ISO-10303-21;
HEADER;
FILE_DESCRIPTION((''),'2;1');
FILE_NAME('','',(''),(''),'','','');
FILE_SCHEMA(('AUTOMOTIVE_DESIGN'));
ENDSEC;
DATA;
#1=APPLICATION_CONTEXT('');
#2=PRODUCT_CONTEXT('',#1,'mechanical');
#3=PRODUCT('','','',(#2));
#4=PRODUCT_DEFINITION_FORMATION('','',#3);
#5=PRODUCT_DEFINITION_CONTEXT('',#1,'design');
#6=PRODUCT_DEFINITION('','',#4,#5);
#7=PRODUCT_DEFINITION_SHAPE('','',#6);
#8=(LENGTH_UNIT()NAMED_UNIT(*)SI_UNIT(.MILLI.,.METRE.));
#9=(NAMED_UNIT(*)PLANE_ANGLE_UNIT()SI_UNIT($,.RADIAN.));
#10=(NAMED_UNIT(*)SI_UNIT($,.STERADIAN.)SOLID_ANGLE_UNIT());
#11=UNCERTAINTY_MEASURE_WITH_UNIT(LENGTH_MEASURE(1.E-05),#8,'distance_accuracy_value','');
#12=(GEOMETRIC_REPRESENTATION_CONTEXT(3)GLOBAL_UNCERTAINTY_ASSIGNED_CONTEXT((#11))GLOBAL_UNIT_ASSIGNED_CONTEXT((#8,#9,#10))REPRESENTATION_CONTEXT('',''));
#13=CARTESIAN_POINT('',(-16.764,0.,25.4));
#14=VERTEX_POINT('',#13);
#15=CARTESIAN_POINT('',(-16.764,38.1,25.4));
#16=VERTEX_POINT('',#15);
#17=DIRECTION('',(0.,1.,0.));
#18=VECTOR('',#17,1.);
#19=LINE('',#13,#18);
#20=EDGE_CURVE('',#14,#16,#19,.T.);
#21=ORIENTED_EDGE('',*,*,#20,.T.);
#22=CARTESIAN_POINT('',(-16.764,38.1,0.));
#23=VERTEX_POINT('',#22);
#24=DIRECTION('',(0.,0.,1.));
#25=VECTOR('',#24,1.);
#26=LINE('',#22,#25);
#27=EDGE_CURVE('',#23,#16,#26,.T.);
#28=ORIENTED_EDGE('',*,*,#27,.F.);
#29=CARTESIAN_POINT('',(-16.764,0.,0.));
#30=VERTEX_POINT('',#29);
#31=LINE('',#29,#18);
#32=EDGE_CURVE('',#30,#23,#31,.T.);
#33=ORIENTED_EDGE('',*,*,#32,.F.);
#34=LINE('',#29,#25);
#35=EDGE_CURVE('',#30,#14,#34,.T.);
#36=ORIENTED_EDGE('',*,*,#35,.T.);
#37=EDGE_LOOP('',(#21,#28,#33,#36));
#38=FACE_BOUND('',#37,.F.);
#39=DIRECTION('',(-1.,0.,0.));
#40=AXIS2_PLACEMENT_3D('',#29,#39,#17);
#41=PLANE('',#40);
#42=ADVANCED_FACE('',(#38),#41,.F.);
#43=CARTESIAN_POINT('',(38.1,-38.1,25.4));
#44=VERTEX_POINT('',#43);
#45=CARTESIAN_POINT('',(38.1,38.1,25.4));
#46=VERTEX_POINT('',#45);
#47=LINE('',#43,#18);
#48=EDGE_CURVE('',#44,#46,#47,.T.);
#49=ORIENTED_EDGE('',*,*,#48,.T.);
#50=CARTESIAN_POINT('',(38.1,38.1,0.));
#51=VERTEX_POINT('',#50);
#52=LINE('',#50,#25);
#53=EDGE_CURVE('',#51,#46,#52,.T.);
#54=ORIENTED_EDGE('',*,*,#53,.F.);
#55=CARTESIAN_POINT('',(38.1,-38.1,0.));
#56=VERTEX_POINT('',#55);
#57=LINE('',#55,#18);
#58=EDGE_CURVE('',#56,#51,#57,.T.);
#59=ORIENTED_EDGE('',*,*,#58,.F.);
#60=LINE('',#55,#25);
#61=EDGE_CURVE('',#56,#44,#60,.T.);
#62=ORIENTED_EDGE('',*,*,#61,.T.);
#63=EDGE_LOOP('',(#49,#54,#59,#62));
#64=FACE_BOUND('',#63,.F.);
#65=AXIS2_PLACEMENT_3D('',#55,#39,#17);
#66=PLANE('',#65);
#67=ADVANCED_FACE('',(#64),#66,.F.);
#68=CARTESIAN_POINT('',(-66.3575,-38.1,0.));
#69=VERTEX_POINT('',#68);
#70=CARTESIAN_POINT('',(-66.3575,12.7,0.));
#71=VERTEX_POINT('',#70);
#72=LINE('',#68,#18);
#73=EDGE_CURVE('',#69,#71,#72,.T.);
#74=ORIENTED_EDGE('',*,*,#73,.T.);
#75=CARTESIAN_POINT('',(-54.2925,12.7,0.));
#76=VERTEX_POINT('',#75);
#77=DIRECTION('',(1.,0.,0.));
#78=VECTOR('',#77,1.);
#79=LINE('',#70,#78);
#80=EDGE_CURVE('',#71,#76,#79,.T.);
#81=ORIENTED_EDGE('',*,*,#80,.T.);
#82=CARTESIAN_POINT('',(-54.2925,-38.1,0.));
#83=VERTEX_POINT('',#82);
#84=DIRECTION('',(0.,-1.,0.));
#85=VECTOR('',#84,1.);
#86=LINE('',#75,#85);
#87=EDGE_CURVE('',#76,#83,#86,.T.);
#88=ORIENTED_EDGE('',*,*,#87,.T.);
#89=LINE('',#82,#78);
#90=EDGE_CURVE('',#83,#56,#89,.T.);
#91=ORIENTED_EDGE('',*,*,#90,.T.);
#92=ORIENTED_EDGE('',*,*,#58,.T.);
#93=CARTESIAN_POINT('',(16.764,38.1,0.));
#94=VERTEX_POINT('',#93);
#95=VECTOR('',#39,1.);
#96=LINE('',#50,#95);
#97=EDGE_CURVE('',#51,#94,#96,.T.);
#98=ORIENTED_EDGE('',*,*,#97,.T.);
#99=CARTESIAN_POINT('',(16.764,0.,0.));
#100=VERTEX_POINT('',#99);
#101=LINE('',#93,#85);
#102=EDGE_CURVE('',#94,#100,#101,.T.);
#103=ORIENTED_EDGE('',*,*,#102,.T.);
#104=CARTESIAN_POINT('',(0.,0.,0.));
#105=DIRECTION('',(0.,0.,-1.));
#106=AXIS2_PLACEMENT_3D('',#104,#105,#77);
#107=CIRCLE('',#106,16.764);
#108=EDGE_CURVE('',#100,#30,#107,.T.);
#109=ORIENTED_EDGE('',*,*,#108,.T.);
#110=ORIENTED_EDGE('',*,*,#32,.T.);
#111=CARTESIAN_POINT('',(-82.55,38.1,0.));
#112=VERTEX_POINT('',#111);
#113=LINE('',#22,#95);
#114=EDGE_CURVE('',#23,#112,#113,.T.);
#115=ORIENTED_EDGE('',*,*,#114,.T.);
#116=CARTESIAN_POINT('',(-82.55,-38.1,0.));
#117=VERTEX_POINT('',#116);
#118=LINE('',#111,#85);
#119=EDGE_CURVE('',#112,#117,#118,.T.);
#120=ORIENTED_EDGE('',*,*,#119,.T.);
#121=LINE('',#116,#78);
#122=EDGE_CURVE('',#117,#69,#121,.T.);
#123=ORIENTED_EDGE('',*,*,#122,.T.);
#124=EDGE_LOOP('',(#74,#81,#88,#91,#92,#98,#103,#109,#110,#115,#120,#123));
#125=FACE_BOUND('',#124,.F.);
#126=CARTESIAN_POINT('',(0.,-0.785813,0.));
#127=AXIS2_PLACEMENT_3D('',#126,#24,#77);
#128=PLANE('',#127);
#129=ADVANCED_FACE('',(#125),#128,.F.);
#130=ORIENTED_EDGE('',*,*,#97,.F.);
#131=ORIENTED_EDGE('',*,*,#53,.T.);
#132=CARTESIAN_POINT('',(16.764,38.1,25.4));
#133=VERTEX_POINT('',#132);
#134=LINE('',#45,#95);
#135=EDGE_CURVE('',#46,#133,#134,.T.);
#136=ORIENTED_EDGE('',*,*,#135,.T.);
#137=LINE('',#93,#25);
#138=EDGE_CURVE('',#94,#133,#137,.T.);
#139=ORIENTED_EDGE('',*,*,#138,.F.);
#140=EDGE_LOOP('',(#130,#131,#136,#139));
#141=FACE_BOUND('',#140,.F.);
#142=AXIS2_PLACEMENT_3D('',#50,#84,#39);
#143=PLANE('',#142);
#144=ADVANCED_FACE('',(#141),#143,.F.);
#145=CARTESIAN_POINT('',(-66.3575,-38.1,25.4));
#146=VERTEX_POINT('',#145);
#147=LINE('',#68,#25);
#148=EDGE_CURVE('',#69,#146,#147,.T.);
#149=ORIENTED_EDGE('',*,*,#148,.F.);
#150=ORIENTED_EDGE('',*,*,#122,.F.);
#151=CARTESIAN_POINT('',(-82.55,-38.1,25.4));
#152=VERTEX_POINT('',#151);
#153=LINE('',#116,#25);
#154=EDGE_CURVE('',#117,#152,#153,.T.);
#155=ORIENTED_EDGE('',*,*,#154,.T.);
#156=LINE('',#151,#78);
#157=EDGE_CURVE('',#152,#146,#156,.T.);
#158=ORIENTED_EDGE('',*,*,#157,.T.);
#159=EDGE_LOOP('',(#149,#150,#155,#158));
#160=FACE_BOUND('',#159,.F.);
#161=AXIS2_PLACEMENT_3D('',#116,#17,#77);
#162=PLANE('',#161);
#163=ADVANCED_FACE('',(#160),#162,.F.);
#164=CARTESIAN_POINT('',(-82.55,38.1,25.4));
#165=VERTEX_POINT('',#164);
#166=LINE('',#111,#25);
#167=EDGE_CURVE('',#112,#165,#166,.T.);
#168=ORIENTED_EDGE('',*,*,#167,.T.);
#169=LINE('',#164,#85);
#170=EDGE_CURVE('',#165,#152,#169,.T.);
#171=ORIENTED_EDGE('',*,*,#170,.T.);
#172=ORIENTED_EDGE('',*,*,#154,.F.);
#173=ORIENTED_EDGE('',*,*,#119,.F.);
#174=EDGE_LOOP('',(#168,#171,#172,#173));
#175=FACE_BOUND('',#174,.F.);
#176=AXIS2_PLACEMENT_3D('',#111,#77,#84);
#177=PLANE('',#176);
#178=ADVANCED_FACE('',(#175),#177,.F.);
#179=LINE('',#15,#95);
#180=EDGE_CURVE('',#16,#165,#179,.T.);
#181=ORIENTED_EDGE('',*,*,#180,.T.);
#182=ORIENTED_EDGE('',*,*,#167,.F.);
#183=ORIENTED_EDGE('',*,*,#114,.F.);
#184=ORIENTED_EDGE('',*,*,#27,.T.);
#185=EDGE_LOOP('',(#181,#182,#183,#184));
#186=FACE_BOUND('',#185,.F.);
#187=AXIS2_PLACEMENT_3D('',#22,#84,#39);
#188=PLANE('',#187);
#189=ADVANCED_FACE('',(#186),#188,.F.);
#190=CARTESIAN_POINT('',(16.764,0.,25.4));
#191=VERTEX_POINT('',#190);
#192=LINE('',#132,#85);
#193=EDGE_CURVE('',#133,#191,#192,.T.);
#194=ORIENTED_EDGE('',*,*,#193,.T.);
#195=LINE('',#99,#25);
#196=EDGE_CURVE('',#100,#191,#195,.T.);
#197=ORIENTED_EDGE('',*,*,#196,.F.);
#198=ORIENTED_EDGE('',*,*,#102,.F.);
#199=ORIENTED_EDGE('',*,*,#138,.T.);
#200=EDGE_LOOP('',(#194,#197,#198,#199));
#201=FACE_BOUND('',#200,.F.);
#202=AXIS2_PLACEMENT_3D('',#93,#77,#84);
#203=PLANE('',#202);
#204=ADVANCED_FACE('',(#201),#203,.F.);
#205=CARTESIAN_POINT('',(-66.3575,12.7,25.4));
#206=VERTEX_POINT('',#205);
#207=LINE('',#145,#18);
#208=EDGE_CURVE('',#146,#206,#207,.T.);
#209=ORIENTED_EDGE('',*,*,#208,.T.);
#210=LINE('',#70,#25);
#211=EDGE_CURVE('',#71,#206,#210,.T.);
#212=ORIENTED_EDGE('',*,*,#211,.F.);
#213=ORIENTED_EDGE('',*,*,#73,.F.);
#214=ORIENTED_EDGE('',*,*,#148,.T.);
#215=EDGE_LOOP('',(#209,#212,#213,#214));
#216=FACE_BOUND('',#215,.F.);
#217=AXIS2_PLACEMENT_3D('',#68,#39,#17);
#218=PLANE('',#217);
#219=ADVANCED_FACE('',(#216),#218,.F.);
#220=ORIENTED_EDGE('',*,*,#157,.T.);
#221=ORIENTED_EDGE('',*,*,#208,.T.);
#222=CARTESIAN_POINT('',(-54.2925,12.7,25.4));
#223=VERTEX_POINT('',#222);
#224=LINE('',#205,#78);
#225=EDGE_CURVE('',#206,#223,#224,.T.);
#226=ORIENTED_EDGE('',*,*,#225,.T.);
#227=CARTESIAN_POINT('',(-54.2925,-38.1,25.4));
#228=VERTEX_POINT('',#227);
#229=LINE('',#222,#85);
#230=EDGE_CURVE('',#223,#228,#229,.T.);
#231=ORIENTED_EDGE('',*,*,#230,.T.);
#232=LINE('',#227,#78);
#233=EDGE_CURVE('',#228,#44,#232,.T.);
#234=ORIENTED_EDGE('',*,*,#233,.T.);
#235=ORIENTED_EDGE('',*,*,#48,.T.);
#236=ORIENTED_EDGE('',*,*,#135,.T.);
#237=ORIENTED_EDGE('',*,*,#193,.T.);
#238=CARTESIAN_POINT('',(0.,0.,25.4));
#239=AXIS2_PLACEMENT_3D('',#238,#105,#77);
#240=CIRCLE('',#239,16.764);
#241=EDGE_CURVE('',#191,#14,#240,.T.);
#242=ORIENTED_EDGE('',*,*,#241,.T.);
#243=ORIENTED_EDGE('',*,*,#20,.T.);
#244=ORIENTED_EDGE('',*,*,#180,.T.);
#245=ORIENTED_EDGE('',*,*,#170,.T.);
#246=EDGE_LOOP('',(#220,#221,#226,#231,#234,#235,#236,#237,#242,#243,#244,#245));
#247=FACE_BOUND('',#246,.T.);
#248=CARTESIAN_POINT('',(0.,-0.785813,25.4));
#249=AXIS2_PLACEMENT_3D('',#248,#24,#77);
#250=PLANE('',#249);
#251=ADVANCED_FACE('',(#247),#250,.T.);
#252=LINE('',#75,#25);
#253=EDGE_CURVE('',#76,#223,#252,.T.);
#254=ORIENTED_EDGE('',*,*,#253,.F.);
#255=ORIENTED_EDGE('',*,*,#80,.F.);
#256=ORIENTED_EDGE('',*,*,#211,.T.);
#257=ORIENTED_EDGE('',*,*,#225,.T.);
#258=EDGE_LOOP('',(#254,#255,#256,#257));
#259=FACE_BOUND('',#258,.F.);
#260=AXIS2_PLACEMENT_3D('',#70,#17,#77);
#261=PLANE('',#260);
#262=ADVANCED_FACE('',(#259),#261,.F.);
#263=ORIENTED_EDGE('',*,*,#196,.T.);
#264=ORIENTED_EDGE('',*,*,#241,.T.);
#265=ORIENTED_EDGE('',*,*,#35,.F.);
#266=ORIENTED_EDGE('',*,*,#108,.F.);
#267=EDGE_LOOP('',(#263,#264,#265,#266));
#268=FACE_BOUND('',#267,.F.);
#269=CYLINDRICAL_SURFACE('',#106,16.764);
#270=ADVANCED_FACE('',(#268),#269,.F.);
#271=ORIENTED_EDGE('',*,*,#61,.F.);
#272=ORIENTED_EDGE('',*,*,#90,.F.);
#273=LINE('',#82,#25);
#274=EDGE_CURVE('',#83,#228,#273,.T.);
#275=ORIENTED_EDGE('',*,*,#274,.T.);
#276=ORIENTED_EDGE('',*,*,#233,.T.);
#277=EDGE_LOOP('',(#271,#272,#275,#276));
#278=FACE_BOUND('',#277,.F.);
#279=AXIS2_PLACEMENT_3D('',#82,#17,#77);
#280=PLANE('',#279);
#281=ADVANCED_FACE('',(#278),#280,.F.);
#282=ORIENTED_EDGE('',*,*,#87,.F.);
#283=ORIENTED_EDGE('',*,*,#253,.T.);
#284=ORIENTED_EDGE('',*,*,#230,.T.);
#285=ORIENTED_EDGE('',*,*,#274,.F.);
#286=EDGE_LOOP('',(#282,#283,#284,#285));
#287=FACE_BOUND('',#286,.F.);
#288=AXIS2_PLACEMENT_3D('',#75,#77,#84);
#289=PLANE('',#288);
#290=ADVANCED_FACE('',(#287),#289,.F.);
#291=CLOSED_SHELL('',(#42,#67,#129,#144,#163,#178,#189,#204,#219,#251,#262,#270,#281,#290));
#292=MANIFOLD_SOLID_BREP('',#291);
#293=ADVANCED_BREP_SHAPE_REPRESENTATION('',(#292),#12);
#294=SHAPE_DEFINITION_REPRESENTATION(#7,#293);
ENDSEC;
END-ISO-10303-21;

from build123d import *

# Parameters (mm, degrees)
F1_DEPTH = 25.4


with BuildPart() as f1:
    # F0 (on Top) → F1 (new body)
    with BuildSketch(Plane.XY):
        with BuildLine():
            Line((38.1, -38.1), (38.1, 38.1))
            Line((38.1, 38.1), (16.764, 38.1))
            Line((16.764, 38.1), (16.764, 0))
            ThreePointArc((16.764, 0), (0, -16.764), (-16.764, 0))
            Line((-16.764, 0), (-16.764, 38.1))
            Line((-16.764, 38.1), (-38.1, 38.1))
            Line((-38.1, 38.1), (-38.1, -38.1))
            Line((-38.1, -38.1), (38.1, -38.1))
        make_face()
        Polygon((-54.2925, -38.1), (-38.1, -38.1), (-38.1, 38.1), (-82.55, 38.1), (-82.55, -38.1), (-66.3575, -38.1), (-66.3575, 12.7), (-60.325, 12.7), (-54.2925, 12.7), align=None)
    extrude(amount=F1_DEPTH)


solid = f1.part
